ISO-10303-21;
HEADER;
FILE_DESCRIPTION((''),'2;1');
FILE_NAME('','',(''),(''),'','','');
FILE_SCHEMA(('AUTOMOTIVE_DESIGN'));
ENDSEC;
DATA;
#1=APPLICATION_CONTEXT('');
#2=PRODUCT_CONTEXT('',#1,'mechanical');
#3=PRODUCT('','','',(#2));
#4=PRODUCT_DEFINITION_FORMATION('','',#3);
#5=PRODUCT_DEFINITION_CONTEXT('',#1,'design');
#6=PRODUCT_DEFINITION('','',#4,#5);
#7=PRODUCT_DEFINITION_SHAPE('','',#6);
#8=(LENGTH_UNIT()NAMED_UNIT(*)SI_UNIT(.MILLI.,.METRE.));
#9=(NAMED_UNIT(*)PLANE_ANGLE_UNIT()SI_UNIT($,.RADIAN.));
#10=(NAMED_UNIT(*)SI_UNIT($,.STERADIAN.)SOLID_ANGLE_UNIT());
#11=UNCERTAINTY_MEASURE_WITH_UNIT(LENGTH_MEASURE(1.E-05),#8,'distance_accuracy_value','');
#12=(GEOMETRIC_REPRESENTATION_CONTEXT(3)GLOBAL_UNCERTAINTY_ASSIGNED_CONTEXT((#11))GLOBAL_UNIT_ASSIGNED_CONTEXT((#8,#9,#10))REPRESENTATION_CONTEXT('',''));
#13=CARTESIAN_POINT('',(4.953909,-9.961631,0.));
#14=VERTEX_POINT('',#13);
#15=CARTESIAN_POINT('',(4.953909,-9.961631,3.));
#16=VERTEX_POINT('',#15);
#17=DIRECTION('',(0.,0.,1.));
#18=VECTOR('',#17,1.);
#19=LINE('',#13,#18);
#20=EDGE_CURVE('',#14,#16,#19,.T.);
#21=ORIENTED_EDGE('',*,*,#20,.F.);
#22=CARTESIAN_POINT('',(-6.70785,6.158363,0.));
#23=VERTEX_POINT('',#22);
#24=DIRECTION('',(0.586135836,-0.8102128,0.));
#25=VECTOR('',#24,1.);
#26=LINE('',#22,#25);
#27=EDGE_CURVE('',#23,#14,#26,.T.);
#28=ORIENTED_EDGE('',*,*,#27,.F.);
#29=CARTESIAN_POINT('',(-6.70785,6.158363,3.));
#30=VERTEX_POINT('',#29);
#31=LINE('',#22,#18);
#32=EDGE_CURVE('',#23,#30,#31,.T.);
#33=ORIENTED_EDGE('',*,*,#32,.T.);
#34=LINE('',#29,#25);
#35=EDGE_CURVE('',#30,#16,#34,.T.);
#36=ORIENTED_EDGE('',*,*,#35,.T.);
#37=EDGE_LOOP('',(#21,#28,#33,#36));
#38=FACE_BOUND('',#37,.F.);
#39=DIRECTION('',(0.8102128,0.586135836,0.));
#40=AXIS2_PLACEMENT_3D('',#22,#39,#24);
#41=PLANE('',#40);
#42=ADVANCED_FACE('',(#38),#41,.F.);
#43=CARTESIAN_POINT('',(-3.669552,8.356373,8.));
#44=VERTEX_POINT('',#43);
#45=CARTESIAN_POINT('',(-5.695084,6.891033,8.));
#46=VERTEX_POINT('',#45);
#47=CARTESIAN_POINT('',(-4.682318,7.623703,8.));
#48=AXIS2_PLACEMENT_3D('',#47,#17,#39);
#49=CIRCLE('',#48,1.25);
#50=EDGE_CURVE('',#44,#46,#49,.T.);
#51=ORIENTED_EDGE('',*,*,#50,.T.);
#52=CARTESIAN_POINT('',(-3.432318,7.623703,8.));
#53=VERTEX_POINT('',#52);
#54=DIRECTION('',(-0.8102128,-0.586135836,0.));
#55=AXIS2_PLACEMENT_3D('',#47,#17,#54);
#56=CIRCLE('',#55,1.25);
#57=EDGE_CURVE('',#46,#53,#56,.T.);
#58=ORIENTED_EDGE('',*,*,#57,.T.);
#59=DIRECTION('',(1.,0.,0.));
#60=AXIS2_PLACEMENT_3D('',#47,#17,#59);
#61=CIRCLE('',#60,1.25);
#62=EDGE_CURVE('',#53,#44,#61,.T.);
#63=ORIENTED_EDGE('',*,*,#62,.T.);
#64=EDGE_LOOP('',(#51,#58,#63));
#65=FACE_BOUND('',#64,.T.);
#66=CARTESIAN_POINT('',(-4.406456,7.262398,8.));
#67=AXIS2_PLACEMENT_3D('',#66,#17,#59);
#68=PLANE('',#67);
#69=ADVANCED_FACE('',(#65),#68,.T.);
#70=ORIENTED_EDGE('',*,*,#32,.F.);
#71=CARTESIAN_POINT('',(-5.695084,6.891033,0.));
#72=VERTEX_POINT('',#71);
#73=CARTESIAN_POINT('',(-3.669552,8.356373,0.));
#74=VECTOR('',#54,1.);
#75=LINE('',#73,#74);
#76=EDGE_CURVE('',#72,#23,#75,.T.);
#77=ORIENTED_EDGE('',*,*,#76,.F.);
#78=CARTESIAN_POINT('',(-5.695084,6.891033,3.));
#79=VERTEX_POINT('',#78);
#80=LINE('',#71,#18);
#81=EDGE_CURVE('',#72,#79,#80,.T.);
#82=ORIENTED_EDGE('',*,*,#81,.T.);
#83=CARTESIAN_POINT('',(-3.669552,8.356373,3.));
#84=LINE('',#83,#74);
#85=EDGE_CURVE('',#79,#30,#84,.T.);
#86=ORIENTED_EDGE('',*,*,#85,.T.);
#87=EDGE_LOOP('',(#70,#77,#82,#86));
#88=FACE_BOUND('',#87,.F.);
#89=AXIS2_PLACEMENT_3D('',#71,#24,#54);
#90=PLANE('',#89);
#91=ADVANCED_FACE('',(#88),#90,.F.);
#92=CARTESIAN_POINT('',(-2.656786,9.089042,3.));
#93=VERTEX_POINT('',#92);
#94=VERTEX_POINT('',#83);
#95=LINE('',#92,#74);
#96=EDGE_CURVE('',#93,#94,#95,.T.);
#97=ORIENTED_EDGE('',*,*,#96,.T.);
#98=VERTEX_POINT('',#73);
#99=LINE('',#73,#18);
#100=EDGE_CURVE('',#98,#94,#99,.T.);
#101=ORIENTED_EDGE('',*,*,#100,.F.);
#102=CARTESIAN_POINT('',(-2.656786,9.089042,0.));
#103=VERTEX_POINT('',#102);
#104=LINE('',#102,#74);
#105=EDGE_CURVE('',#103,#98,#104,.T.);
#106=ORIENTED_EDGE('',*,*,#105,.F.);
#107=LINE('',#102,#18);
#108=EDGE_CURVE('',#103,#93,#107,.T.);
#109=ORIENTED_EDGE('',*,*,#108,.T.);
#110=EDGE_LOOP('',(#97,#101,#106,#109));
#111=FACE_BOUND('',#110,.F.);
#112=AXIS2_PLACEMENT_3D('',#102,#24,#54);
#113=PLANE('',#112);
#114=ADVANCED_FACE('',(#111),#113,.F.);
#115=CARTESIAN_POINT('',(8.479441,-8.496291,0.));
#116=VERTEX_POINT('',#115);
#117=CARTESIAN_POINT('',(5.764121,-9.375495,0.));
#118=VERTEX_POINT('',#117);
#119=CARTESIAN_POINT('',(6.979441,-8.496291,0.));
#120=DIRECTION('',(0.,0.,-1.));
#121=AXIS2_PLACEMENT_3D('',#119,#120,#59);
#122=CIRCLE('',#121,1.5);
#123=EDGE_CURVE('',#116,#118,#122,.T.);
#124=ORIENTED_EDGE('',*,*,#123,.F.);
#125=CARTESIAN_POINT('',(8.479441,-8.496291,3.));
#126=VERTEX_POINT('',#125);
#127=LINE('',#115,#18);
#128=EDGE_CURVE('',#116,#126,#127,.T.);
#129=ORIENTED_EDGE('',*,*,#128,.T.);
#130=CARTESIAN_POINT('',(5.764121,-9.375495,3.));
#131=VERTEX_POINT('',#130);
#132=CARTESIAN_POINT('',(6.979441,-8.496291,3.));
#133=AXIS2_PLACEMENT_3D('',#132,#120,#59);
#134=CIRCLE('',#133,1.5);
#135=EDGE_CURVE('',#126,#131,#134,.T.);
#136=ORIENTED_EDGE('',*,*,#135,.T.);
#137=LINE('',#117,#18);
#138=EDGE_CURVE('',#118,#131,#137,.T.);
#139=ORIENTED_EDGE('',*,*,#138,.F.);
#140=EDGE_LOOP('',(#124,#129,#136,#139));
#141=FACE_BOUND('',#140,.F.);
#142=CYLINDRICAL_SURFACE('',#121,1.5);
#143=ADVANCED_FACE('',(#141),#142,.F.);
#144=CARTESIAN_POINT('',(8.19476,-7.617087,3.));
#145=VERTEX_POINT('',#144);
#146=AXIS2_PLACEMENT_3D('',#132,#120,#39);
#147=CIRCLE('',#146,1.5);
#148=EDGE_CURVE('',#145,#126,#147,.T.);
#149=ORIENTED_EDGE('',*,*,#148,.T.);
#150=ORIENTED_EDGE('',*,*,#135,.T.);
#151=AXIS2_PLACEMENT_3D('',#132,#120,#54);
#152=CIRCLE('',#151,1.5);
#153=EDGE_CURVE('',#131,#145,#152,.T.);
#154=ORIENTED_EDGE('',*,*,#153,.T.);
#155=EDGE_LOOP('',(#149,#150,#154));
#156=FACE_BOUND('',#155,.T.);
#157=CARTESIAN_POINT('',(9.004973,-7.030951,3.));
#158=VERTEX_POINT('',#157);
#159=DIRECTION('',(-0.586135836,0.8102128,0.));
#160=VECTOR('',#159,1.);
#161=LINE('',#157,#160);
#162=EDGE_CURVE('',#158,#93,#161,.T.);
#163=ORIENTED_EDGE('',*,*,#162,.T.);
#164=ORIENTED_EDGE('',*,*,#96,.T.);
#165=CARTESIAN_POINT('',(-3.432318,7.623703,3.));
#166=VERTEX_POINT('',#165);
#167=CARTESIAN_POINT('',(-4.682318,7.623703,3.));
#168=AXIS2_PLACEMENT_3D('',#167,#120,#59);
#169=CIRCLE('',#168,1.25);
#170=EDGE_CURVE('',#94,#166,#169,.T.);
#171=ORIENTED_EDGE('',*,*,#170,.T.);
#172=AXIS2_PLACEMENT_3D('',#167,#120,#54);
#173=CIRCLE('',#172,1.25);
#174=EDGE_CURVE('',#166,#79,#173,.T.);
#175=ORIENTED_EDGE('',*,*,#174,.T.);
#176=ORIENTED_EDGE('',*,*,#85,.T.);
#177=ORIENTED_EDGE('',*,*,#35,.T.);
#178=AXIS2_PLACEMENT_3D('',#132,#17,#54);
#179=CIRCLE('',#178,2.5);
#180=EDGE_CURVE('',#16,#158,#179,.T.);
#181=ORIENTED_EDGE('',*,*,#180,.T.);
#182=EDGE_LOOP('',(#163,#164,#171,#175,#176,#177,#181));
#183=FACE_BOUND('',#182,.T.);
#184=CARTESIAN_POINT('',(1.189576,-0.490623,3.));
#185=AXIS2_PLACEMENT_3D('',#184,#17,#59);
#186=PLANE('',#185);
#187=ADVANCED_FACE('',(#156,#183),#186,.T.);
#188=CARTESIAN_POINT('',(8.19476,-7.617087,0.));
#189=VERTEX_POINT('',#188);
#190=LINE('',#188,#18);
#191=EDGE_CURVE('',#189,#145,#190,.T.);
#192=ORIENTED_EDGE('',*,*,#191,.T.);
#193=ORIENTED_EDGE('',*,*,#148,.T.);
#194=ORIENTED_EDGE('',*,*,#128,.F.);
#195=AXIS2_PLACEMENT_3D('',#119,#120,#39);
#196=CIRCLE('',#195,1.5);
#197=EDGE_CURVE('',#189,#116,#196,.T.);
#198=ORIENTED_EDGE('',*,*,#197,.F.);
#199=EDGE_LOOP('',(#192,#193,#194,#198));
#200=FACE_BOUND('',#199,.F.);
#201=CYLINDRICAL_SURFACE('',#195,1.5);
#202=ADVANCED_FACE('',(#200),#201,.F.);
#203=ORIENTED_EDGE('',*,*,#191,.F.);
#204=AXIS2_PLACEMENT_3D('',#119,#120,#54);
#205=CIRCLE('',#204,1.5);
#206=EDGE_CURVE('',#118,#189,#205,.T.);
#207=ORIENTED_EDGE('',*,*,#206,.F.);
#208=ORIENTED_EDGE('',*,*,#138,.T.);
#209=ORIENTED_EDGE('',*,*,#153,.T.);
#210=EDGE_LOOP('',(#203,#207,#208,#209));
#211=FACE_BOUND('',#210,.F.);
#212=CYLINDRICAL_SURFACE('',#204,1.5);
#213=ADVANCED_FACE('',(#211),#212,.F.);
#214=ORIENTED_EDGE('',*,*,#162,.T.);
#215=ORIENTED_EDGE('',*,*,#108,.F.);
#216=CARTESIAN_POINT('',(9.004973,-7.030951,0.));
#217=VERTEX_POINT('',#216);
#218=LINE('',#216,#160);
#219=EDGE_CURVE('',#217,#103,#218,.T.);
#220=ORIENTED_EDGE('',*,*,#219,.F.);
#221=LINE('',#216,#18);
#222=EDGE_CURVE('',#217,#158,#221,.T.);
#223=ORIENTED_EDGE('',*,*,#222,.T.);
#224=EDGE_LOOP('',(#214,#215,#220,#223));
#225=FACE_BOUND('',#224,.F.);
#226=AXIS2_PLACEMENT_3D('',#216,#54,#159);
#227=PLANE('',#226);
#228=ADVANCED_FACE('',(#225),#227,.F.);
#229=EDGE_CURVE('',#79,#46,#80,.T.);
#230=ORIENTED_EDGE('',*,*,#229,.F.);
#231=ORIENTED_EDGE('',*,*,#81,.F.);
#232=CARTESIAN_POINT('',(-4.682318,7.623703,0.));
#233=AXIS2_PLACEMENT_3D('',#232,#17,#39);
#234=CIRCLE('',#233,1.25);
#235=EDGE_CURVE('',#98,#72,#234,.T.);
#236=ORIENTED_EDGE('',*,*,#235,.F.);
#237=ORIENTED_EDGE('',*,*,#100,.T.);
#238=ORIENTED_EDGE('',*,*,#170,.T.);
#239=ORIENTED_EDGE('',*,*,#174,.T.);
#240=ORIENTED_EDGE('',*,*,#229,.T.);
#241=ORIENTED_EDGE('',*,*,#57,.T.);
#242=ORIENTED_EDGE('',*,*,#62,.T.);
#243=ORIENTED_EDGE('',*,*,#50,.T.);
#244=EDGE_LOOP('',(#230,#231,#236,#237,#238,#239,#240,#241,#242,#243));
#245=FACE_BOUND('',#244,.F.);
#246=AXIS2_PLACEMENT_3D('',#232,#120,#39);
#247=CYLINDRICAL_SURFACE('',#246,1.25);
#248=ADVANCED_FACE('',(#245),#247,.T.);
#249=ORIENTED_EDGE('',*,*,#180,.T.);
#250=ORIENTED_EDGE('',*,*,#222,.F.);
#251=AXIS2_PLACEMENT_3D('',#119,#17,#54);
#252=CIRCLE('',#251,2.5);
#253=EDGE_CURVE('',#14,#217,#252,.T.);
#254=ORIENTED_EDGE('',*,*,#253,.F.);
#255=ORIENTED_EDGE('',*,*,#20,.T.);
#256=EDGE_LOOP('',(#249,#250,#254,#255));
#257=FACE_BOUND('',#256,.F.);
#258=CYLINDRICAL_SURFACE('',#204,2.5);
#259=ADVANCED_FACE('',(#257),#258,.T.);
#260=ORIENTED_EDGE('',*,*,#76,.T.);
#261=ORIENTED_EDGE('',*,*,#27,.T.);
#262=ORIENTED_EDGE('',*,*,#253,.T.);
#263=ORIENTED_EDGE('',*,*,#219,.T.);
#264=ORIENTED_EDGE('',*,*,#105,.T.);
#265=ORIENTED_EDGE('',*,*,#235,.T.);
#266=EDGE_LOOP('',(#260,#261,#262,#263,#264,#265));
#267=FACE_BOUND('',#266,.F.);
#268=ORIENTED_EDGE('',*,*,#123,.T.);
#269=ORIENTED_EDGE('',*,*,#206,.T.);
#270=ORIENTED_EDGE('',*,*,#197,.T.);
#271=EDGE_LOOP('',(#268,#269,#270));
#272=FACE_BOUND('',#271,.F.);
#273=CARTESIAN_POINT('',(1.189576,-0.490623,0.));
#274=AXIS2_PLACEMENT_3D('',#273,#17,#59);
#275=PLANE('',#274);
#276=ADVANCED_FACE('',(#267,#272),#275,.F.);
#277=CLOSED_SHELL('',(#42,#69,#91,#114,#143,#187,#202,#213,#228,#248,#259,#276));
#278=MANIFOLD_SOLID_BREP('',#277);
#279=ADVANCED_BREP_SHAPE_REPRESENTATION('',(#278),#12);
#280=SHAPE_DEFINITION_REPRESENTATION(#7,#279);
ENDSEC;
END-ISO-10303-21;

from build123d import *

# Parameters (mm, degrees)
F1_DEPTH = 3
F2_DEPTH = 8


with BuildPart() as f1:
    # F0 (on Top) → F1 (new body)
    with BuildSketch(Plane.XY):
        with BuildLine():
            Line((9.0049726071, -7.0309513933), (-2.6567859811, 9.0890424849))
            Line((-2.6567859811, 9.0890424849), (-3.6695519816, 8.3563726902))
            ThreePointArc((-3.6695519816, 8.3563726902), (-3.4931044815, 8.0087629553), (-3.4323179822, 7.6237028955))
            ThreePointArc((-3.4323179822, 7.6237028955), (-4.2972579225, 6.4344893948), (-5.6950839828, 6.8910331008))
            Line((-5.6950839828, 6.8910331008), (-6.7078499834, 6.1583633061))
            Line((-6.7078499834, 6.1583633061), (4.9539086048, -9.961630572))
            ThreePointArc((4.9539086048, -9.961630572), (5.5141010165, -6.4707589815), (9.0049726071, -7.0309513933))
        make_face()
        with BuildLine():
            ThreePointArc((9.4794406059, -8.4962909826), (9.3578676074, -7.7261708631), (9.0049726071, -7.0309513933))
            Line((9.0049726071, -7.0309513933), (8.1947598066, -7.617087229))
            ThreePointArc((8.1947598066, -7.617087229), (8.4064968068, -8.0342189109), (8.4794406059, -8.4962909826))
            ThreePointArc((8.4794406059, -8.4962909826), (7.4415126777, -9.9233471835), (5.7641214052, -9.3754947363))
            Line((5.7641214052, -9.3754947363), (4.9539086048, -9.961630572))
            ThreePointArc((4.9539086048, -9.961630572), (7.7495607255, -10.8747179841), (9.4794406059, -8.4962909826))
        make_face()
        with BuildLine():
            Line((8.1947598066, -7.617087229), (9.0049726071, -7.0309513933))
            ThreePointArc((9.0049726071, -7.0309513933), (5.5141010165, -6.4707589815), (4.9539086048, -9.961630572))
            Line((4.9539086048, -9.961630572), (5.7641214052, -9.3754947363))
            ThreePointArc((5.7641214052, -9.3754947363), (6.1002368523, -7.2809717819), (8.1947598066, -7.617087229))
        make_face()
        with BuildLine():
            ThreePointArc((-3.4323179822, 7.6237028955), (-3.4931044815, 8.0087629553), (-3.6695519816, 8.3563726902))
            Line((-3.6695519816, 8.3563726902), (-5.6950839828, 6.8910331008))
            ThreePointArc((-5.6950839828, 6.8910331008), (-4.2972579225, 6.4344893948), (-3.4323179822, 7.6237028955))
        make_face()
        with BuildLine():
            Line((-5.6950839828, 6.8910331008), (-3.6695519816, 8.3563726902))
            ThreePointArc((-3.6695519816, 8.3563726902), (-5.4149877769, 8.6364688961), (-5.6950839828, 6.8910331008))
        make_face()
    extrude(amount=F1_DEPTH)

    # F0 (on Top) → F2 (join)
    with BuildSketch(Plane.XY):
        with BuildLine():
            ThreePointArc((-3.4323179822, 7.6237028955), (-3.4931044815, 8.0087629553), (-3.6695519816, 8.3563726902))
            Line((-3.6695519816, 8.3563726902), (-5.6950839828, 6.8910331008))
            ThreePointArc((-5.6950839828, 6.8910331008), (-4.2972579225, 6.4344893948), (-3.4323179822, 7.6237028955))
        make_face()
        with BuildLine():
            Line((-5.6950839828, 6.8910331008), (-3.6695519816, 8.3563726902))
            ThreePointArc((-3.6695519816, 8.3563726902), (-5.4149877769, 8.6364688961), (-5.6950839828, 6.8910331008))
        make_face()
    extrude(amount=F2_DEPTH)


solid = f1.part
